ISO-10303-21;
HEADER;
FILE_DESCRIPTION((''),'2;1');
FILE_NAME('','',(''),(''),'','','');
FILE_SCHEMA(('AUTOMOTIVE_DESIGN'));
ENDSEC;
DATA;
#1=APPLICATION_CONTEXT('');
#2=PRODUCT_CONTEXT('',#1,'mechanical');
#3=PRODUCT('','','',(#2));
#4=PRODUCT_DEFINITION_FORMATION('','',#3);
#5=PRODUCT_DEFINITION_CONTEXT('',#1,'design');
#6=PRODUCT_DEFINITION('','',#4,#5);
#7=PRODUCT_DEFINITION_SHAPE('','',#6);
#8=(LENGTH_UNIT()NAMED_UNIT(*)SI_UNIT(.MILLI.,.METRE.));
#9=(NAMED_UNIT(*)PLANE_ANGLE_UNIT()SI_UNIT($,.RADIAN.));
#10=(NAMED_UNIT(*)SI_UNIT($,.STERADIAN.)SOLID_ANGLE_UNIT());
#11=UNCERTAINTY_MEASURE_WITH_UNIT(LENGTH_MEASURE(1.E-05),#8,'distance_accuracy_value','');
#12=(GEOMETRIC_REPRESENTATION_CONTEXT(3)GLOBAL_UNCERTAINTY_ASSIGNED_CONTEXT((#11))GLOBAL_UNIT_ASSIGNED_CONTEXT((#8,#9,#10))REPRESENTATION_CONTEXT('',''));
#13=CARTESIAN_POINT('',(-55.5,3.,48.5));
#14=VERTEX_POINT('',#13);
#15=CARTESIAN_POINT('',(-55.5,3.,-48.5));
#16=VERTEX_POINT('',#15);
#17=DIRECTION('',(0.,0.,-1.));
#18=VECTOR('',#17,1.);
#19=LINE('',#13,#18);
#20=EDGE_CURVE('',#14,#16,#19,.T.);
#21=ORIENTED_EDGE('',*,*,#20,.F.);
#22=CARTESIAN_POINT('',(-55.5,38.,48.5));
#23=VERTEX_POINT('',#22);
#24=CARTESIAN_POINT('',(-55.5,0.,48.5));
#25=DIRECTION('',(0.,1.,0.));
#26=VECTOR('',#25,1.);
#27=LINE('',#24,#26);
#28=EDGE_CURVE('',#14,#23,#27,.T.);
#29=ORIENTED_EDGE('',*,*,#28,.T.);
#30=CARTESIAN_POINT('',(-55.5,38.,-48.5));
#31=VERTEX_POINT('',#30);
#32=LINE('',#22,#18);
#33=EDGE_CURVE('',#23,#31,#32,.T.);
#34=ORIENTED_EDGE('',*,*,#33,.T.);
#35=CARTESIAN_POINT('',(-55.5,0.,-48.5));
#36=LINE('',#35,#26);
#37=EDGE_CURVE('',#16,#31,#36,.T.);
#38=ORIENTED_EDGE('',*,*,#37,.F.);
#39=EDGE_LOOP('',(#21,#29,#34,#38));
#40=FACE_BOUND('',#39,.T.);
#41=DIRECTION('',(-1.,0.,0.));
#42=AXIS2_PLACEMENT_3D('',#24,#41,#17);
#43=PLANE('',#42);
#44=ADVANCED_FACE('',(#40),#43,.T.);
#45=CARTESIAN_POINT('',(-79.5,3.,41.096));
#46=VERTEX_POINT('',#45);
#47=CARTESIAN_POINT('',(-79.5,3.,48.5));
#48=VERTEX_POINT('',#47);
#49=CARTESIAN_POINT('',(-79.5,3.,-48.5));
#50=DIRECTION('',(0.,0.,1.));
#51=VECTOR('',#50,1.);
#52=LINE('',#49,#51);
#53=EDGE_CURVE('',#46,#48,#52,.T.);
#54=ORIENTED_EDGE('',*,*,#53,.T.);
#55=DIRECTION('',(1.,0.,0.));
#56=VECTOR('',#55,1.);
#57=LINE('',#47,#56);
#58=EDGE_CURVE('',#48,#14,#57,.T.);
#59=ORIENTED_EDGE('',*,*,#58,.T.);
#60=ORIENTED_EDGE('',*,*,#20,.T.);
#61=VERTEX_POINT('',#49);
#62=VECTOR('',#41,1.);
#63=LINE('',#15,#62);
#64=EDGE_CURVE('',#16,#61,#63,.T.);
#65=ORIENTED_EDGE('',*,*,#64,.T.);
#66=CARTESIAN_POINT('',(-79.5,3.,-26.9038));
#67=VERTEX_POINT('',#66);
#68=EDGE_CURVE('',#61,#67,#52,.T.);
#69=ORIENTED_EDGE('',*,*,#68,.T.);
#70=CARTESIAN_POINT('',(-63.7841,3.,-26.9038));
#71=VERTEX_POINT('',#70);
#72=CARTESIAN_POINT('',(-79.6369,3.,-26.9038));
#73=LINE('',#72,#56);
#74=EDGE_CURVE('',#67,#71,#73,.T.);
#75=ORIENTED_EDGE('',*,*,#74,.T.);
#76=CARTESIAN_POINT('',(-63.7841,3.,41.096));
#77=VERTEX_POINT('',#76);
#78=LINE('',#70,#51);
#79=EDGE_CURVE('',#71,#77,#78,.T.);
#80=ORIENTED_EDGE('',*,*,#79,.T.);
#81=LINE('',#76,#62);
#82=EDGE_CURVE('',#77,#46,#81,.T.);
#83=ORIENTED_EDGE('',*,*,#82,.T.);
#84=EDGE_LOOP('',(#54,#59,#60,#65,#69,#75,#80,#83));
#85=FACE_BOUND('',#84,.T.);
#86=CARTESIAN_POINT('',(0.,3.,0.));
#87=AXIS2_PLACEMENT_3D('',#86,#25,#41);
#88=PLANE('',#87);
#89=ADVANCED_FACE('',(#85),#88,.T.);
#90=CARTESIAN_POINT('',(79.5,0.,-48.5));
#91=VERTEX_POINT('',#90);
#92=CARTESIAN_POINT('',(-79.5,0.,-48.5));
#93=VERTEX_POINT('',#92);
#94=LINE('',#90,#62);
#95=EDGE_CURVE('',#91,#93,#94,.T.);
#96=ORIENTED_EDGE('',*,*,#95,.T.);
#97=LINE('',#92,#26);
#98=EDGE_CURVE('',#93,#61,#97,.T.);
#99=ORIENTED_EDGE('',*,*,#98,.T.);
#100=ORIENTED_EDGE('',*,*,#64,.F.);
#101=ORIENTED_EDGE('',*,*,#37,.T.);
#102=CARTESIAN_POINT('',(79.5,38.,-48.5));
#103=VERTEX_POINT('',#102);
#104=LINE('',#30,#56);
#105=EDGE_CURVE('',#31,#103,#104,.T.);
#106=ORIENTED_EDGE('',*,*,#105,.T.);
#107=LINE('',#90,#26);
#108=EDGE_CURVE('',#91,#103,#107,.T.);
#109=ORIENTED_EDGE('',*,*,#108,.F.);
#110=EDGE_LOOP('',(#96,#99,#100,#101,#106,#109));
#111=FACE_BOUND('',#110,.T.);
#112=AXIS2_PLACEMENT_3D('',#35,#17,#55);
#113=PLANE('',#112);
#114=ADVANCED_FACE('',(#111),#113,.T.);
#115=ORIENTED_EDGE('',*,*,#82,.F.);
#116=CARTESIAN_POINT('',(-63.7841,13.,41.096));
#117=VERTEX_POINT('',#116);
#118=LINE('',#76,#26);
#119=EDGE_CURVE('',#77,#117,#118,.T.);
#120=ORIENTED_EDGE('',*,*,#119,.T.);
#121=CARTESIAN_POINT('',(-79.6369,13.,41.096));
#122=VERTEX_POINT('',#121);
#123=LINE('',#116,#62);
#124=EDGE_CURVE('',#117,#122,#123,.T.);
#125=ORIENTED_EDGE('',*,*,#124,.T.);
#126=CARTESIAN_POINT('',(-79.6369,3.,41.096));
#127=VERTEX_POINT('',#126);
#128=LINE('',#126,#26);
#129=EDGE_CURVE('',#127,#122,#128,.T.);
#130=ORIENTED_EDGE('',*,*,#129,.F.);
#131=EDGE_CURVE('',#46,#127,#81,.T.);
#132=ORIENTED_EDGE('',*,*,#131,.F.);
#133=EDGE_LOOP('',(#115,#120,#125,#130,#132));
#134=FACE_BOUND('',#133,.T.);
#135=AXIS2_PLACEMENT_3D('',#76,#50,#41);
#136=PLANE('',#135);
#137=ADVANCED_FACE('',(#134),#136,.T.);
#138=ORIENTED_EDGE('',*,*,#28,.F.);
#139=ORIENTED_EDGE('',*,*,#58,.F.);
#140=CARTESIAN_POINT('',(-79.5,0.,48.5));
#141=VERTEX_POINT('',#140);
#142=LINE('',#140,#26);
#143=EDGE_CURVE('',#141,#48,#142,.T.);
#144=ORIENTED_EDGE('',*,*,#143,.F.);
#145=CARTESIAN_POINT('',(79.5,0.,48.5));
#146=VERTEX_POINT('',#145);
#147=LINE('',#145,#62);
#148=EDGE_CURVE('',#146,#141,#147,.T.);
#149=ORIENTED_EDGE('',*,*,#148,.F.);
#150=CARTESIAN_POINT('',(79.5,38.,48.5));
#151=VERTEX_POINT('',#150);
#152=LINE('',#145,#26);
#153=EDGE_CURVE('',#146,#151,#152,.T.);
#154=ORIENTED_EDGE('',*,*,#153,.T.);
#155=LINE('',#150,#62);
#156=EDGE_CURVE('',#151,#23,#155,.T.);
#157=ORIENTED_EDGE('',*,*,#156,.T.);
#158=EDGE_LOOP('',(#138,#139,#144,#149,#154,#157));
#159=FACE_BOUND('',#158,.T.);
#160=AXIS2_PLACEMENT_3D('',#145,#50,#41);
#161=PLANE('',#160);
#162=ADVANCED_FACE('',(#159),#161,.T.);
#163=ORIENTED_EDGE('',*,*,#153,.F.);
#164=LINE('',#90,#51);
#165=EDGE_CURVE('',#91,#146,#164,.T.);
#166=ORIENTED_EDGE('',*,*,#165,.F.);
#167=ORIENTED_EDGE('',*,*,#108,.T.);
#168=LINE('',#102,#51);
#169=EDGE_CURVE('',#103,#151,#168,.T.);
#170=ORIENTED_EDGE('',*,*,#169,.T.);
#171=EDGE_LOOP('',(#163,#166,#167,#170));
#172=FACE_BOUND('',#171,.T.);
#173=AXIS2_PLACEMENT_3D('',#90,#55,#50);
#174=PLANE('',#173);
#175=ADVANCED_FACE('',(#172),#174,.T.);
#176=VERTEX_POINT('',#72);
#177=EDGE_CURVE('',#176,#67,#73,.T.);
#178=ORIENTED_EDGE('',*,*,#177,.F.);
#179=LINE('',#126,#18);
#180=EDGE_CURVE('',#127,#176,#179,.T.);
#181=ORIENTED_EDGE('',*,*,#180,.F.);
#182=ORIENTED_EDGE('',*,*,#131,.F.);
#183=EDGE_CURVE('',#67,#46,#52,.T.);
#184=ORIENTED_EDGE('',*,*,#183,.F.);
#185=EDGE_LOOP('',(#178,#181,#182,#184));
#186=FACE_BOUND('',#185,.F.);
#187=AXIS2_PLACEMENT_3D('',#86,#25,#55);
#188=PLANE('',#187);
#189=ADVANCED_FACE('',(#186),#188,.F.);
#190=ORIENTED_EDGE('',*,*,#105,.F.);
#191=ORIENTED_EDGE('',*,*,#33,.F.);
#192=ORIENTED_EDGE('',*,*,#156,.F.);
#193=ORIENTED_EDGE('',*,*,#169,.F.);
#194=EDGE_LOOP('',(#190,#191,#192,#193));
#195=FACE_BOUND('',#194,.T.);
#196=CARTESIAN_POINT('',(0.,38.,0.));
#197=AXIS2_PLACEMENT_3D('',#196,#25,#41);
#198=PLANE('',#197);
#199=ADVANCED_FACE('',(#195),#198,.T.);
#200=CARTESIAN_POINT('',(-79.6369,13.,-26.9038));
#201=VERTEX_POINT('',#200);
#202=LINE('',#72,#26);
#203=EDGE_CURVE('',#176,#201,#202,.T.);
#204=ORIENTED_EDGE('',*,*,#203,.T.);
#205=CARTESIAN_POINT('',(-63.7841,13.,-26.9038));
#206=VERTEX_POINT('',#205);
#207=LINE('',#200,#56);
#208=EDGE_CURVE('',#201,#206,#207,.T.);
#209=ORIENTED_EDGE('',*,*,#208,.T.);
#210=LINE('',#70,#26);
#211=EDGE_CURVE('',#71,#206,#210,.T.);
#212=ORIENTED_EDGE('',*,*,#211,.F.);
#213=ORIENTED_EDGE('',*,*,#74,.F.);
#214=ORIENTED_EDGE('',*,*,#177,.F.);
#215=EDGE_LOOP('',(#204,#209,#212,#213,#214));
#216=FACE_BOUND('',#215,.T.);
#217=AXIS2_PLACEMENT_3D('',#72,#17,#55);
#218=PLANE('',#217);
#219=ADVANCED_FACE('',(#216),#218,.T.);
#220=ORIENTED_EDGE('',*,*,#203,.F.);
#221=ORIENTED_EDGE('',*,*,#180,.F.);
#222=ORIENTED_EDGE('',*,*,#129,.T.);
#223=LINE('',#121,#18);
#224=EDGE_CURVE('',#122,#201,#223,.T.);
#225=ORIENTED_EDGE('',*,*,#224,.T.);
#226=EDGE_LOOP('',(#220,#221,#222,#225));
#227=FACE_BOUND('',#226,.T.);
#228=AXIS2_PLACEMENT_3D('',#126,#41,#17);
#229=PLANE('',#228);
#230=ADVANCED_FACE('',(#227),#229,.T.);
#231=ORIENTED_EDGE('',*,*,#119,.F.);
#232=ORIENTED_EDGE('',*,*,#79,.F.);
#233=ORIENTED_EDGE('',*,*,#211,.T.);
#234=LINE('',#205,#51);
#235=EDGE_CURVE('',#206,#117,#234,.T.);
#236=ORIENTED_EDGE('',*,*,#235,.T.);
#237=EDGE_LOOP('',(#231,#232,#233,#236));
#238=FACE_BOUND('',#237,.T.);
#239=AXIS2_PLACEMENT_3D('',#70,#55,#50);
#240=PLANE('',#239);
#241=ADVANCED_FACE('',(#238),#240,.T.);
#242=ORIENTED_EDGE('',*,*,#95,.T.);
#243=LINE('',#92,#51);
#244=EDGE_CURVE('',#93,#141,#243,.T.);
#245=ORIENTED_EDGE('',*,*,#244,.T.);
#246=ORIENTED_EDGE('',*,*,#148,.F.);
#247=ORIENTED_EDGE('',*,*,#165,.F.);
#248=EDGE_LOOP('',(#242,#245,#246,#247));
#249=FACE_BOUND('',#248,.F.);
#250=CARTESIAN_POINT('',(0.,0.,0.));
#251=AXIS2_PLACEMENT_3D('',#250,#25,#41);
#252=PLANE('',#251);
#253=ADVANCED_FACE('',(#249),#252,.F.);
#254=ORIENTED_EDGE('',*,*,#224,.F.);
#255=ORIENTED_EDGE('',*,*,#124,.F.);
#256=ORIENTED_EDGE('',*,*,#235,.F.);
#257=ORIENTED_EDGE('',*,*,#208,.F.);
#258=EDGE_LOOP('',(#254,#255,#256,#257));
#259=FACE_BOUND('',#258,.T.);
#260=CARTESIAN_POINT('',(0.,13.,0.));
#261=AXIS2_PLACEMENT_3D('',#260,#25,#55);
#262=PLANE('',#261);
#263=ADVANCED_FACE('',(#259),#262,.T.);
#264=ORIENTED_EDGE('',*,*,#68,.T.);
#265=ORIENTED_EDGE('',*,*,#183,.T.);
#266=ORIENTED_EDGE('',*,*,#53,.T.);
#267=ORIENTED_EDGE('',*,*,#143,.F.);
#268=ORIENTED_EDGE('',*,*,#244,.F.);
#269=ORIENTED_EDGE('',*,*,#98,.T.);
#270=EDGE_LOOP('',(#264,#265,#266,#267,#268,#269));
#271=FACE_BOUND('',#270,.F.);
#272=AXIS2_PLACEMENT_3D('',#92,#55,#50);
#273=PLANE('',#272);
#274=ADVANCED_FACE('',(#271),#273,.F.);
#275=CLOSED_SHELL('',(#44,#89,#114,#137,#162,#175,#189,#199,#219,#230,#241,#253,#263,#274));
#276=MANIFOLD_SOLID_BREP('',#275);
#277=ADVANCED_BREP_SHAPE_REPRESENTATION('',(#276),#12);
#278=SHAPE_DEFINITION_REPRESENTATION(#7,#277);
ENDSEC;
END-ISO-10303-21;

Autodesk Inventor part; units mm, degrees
ref_plane "YZ Plane" through (0, 0, 0) normal (1, 0, 0) x (0, 1, 0)
ref_plane "XZ Plane" through (0, 0, 0) normal (0, 1, 0) x (-1, 0, 0)
ref_plane "XY Plane" through (0, 0, 0) normal (0, 0, 1) x (1, 0, 0)
sketch "스케치2" plane through (0, 0, 0) normal (0, 1, 0) x (-1, 0, 0)
  line L0 (55.5, -48.5) -> (-79.5, -48.5)
  line L1 (-79.5, -48.5) -> (-79.5, 48.5)
  line L2 (-79.5, 48.5) -> (55.5, 48.5)
  line L3 (55.5, 48.5) -> (55.5, -48.5)
  point P0 (0, 0)
  dimension "d6" = 79.5
  dimension "d7" = 48.5
  dimension "d8" = 48.5
  dimension "d9" = 55.5
extrude "돌출2" add sketch "스케치2" along normal blind 38
sketch "스케치4" plane through (0, 0, 0) normal (0, 1, 0) x (-1, 0, 0)
  line L0 (-79.5, -48.5) -> (55.5, -48.5) projected
  line L1 (55.5, -48.5) -> (79.5, -48.5)
  line L2 (79.5, -48.5) -> (79.5, 48.5)
  line L3 (79.5, 48.5) -> (55.5, 48.5)
  line L4 (55.5, 48.5) -> (55.5, -48.5)
  point P0 (0, 0)
  dimension "d14" = 24
extrude "돌출4" add sketch "스케치4" along normal blind 3
sketch "스케치5" plane through (0, 3, 0) normal (0, 1, 0) x (1, 0, 0)
  line L0 (-79.6369, 26.9038) -> (-63.7841, 26.9038)
  line L1 (-63.7841, 26.9038) -> (-63.7841, -41.096)
  line L2 (-63.7841, -41.096) -> (-79.6369, -41.096)
  line L3 (-79.6369, -41.096) -> (-79.6369, 26.9038)
  point P0 (0, 0)
extrude "돌출5" add sketch "스케치5" along normal blind 10
properties part number "power supply"
